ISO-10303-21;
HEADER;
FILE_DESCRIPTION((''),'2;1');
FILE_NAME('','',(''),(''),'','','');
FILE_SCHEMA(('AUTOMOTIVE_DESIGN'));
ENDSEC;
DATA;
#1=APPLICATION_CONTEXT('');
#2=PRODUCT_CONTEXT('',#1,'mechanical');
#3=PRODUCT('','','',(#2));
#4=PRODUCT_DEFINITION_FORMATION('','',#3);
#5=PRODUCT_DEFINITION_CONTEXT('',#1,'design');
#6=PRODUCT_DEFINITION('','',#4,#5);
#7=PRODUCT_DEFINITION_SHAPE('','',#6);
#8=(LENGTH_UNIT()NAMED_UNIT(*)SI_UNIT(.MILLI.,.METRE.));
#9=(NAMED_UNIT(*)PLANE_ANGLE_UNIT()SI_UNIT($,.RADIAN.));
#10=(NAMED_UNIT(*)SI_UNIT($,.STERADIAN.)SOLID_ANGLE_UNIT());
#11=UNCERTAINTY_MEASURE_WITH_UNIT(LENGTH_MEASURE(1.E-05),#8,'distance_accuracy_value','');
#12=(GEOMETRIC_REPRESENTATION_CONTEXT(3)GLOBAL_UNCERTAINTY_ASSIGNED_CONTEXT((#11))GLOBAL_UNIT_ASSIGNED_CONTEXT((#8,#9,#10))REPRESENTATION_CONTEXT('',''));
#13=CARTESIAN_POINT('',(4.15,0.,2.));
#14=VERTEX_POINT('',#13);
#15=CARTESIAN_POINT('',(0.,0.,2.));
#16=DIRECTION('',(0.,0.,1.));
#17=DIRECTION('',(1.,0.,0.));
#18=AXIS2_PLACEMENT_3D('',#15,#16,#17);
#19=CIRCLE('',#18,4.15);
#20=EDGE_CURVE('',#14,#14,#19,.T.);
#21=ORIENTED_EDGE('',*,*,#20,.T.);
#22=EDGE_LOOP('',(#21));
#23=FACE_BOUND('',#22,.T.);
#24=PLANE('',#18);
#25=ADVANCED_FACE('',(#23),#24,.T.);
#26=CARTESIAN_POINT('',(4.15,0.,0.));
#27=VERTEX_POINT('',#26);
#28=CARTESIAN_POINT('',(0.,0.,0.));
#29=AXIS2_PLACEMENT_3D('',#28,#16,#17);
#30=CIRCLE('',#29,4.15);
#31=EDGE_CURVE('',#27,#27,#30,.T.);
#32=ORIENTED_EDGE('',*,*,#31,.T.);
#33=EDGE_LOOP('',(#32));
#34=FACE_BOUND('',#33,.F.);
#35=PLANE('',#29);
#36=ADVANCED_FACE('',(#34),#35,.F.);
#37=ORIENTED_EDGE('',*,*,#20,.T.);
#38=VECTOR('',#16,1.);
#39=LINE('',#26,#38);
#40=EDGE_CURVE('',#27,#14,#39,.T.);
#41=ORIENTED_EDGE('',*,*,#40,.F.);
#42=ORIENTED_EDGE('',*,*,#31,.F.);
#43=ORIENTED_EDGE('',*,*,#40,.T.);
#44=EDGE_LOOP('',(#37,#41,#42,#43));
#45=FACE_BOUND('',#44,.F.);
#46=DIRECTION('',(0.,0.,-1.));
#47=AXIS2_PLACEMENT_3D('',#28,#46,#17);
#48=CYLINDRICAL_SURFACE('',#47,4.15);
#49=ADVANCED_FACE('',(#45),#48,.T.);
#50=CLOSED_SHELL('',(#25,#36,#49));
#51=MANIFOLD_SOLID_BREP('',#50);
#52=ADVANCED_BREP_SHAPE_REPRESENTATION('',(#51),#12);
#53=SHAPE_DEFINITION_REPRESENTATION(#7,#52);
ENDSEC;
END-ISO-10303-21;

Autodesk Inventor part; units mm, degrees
ref_plane "YZ Plane" through (0, 0, 0) normal (1, 0, 0) x (0, 1, 0)
ref_plane "XZ Plane" through (0, 0, 0) normal (0, 1, 0) x (-1, 0, 0)
ref_plane "XY Plane" through (0, 0, 0) normal (0, 0, 1) x (1, 0, 0)
sketch "Sketch1" plane through (0, 0, 0) normal (0, 0, 1) x (1, 0, 0)
  circle A0 centre (0, 0) radius 4.15
  dimension "d0" = 8.3
extrude "Extrusion1" add sketch "Sketch1" along normal blind 2
properties part number "wheel_1"
